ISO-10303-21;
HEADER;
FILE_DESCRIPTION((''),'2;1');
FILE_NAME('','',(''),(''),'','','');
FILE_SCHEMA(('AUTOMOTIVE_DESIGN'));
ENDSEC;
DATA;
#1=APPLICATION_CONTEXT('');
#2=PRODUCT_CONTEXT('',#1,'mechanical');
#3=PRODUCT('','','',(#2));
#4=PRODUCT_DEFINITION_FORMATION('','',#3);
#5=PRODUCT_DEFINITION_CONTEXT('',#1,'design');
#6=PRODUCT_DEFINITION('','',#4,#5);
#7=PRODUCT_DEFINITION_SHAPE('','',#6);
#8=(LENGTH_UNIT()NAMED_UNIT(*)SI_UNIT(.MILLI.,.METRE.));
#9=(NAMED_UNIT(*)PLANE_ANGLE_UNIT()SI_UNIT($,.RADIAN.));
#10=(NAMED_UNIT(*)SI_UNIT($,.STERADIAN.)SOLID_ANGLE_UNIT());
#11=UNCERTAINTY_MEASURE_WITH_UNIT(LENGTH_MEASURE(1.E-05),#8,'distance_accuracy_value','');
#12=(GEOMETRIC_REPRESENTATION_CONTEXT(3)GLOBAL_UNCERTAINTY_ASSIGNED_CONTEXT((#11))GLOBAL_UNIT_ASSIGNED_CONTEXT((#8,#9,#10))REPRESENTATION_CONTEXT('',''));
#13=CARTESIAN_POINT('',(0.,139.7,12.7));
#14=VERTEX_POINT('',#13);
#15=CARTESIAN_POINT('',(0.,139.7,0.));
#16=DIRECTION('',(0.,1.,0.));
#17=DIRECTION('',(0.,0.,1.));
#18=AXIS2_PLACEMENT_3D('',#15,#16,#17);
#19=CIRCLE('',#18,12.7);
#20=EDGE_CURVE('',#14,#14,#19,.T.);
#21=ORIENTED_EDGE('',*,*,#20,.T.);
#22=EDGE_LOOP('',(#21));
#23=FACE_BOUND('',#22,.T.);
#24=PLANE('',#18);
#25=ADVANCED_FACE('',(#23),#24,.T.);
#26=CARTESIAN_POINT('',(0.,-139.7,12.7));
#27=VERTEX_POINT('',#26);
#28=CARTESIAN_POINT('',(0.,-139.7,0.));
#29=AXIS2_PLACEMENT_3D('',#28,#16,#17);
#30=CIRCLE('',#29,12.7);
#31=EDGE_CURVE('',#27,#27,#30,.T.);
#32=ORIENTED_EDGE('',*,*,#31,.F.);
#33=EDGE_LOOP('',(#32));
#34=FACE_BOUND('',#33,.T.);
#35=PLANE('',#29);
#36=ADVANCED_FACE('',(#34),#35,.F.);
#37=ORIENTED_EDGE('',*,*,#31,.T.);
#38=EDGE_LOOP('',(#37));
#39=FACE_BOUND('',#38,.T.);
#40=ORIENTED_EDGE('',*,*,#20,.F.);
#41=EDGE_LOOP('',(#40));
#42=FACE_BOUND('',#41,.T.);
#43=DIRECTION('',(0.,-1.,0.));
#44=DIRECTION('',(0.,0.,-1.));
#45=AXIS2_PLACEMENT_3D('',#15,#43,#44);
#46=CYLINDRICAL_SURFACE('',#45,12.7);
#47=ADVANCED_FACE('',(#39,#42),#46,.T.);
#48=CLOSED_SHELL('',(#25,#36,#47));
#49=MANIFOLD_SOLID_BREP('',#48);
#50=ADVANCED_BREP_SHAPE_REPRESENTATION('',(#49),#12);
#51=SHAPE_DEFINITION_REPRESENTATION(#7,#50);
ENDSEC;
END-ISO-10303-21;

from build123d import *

# Parameters (mm, degrees)
SKETCH1_R           = 12.7
BOSS_EXTRUDE1_DEPTH = 139.7


with BuildPart() as part:
    # Sketch1 → Boss-Extrude1 (new body, symmetric)
    with BuildSketch(Plane(origin=(0, 0, 0), x_dir=(1, 0, 0), z_dir=(0, 1, 0))):
        Circle(SKETCH1_R)
    extrude(amount=BOSS_EXTRUDE1_DEPTH, both=True)


solid = part.part
